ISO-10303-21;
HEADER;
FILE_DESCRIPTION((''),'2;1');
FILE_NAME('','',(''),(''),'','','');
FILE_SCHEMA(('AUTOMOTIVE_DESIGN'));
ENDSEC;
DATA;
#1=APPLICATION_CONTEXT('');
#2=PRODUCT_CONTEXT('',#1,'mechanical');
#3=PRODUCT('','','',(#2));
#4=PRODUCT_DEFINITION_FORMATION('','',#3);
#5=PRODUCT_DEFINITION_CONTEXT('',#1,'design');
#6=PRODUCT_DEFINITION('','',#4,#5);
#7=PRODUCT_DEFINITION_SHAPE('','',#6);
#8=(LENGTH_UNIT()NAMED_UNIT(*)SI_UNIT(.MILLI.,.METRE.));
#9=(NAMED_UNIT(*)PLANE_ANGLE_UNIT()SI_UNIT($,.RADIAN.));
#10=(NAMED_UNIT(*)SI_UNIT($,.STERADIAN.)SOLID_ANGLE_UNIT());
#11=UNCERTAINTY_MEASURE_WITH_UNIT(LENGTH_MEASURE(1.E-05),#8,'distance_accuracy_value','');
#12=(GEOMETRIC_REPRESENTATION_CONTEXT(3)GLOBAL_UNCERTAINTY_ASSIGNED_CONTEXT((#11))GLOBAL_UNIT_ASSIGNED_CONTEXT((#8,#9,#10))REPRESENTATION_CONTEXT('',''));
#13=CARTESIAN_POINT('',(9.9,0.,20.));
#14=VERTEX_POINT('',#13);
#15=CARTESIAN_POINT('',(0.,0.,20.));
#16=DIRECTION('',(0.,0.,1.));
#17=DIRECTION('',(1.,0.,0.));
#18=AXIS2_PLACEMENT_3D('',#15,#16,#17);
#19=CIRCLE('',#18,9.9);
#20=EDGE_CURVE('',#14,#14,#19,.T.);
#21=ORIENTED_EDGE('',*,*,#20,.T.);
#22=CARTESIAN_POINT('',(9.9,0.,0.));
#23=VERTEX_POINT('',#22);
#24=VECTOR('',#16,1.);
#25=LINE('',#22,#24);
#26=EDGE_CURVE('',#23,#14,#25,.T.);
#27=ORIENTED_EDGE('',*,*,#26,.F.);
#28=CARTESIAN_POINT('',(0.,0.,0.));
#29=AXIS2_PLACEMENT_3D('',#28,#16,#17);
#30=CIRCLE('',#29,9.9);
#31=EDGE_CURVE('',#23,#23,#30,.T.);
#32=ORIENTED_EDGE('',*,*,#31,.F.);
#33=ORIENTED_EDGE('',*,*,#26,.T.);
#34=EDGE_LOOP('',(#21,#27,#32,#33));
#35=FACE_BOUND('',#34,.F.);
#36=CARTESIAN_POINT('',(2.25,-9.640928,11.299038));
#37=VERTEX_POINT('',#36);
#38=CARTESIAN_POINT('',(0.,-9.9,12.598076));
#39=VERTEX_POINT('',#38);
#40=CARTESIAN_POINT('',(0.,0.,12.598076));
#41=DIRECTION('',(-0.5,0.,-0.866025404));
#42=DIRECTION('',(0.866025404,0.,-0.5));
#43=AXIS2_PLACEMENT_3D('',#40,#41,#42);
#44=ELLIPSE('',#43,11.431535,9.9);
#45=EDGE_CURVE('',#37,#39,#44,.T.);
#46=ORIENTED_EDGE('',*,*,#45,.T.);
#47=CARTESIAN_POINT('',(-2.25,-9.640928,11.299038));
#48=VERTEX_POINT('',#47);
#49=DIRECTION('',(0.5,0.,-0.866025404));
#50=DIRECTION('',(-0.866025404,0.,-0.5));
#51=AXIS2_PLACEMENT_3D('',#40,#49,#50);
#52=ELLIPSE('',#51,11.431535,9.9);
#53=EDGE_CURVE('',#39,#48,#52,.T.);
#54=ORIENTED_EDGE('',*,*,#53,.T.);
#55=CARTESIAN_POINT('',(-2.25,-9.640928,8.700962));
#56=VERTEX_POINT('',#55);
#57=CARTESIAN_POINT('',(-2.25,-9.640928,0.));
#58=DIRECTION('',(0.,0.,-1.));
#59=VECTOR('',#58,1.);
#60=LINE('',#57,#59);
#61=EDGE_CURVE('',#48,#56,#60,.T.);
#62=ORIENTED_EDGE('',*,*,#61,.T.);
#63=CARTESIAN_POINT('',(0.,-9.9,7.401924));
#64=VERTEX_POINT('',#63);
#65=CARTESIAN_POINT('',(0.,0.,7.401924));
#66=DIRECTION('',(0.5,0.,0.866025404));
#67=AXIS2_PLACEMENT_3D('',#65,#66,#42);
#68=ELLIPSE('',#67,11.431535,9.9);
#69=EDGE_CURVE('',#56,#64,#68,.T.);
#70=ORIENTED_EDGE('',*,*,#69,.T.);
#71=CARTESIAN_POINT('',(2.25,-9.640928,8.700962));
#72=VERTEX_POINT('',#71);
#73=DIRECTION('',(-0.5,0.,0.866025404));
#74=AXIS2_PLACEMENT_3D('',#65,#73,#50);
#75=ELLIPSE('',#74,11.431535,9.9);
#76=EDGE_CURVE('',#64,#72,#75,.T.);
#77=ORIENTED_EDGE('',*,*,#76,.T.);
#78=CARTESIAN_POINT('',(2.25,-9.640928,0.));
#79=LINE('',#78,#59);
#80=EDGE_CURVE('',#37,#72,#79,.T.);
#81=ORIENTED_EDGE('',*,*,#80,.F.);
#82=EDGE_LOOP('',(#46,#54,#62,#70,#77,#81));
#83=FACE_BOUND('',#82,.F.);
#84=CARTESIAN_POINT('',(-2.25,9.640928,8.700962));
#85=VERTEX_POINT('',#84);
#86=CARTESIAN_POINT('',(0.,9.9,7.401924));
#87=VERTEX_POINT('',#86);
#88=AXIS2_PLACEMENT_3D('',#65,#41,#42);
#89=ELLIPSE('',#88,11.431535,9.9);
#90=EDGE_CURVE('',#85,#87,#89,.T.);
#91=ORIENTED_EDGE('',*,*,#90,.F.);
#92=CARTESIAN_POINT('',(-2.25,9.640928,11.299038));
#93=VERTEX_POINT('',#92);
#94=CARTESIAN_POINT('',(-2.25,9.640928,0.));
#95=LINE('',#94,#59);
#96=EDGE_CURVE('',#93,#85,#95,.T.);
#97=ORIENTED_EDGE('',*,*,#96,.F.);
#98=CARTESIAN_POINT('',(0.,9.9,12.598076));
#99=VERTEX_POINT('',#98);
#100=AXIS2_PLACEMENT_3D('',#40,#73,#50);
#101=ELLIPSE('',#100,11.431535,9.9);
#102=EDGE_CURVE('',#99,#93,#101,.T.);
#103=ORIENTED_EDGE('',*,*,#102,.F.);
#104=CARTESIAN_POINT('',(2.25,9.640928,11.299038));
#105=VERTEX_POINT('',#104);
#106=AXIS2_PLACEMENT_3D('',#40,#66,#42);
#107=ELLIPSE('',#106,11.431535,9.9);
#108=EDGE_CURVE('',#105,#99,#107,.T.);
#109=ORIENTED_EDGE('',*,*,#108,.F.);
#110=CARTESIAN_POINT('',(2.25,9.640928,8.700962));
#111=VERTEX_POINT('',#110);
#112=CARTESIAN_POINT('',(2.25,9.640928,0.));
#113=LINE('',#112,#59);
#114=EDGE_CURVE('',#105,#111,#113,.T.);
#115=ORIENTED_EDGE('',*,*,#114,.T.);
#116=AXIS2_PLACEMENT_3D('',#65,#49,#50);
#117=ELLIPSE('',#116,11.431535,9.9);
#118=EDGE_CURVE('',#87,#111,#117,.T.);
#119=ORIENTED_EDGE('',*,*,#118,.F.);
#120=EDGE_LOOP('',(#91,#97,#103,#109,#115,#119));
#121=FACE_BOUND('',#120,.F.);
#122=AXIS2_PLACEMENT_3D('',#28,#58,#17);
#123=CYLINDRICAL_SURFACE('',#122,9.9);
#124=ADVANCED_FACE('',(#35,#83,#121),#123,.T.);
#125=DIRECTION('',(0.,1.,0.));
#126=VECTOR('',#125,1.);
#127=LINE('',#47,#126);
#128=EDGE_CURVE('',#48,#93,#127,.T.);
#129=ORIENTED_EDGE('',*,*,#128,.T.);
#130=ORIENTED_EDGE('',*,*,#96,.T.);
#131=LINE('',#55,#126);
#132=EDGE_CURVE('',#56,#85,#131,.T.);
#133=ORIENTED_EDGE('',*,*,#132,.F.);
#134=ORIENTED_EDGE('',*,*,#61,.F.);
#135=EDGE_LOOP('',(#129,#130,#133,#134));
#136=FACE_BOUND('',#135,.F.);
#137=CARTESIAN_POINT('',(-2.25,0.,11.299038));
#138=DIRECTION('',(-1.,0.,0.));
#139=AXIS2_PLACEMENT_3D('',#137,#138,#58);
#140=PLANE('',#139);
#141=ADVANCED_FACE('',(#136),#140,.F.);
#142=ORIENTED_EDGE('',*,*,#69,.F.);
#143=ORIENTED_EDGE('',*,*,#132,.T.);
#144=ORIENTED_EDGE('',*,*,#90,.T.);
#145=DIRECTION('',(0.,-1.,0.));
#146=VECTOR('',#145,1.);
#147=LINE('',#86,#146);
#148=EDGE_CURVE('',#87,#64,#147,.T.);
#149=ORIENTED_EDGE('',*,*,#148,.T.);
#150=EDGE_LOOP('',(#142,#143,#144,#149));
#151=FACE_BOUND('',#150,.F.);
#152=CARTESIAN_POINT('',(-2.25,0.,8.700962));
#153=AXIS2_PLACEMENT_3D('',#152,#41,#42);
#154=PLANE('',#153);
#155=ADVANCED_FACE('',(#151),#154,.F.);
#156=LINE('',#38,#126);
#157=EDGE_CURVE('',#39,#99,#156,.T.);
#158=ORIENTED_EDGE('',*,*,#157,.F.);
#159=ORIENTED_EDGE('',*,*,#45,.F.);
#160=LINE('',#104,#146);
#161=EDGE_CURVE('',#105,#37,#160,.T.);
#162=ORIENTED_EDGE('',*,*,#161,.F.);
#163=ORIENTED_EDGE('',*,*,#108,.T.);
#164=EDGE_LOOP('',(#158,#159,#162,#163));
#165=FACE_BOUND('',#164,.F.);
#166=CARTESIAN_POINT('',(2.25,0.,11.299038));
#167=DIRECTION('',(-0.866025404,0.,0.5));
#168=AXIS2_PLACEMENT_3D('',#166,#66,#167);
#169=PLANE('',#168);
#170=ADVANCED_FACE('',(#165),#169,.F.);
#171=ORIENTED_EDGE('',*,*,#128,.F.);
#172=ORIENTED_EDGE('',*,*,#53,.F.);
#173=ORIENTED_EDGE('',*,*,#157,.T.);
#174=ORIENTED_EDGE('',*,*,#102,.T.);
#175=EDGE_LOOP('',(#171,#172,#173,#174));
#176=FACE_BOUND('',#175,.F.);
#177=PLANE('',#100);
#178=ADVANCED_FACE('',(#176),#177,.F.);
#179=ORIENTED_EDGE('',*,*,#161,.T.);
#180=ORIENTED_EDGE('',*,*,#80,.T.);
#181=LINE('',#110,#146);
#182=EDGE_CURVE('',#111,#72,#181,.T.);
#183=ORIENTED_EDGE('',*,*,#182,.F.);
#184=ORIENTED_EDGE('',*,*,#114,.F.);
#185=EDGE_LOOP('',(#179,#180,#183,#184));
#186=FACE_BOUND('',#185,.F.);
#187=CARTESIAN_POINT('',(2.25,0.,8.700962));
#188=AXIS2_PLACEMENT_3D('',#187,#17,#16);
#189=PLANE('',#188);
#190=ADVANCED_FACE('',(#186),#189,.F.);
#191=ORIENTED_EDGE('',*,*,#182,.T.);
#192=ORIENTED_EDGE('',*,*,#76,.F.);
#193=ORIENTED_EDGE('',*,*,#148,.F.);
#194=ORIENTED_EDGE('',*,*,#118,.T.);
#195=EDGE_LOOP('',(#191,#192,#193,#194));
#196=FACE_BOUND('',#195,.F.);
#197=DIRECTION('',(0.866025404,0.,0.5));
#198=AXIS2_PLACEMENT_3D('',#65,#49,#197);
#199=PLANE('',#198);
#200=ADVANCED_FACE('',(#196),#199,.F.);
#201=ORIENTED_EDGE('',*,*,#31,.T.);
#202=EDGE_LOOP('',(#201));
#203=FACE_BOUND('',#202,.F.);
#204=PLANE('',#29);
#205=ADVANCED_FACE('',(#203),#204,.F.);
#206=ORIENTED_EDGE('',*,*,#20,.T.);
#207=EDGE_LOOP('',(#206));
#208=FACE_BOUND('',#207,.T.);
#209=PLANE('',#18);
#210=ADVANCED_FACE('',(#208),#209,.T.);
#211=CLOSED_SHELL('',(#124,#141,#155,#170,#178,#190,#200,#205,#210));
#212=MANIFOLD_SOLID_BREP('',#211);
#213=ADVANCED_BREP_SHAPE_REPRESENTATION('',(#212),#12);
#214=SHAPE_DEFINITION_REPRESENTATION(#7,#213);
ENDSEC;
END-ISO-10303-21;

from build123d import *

# Parameters (mm, degrees)
F0_R          = 9.9
F1_DEPTH      = 20
F3_DEPTH      = 9.901
F3_DEPTH_BACK = 9.901


with BuildPart() as f1:
    # F0 (on Top) → F1 (new body)
    with BuildSketch(Plane.XY):
        Circle(F0_R)
    extrude(amount=F1_DEPTH)

    # F2 (on Front) → F3 (cut, two sides)
    with BuildSketch(Plane.XZ) as f3_sk:
        Polygon((2.25, 8.7009618943), (2.25, 11.2990381057), (0, 12.5980762114), (-2.25, 11.2990381057), (-2.25, 8.7009618943), (0, 7.4019237886), align=None)
    extrude(amount=-F3_DEPTH, mode=Mode.SUBTRACT)
    extrude(f3_sk.sketch, amount=F3_DEPTH_BACK, mode=Mode.SUBTRACT)


solid = f1.part
